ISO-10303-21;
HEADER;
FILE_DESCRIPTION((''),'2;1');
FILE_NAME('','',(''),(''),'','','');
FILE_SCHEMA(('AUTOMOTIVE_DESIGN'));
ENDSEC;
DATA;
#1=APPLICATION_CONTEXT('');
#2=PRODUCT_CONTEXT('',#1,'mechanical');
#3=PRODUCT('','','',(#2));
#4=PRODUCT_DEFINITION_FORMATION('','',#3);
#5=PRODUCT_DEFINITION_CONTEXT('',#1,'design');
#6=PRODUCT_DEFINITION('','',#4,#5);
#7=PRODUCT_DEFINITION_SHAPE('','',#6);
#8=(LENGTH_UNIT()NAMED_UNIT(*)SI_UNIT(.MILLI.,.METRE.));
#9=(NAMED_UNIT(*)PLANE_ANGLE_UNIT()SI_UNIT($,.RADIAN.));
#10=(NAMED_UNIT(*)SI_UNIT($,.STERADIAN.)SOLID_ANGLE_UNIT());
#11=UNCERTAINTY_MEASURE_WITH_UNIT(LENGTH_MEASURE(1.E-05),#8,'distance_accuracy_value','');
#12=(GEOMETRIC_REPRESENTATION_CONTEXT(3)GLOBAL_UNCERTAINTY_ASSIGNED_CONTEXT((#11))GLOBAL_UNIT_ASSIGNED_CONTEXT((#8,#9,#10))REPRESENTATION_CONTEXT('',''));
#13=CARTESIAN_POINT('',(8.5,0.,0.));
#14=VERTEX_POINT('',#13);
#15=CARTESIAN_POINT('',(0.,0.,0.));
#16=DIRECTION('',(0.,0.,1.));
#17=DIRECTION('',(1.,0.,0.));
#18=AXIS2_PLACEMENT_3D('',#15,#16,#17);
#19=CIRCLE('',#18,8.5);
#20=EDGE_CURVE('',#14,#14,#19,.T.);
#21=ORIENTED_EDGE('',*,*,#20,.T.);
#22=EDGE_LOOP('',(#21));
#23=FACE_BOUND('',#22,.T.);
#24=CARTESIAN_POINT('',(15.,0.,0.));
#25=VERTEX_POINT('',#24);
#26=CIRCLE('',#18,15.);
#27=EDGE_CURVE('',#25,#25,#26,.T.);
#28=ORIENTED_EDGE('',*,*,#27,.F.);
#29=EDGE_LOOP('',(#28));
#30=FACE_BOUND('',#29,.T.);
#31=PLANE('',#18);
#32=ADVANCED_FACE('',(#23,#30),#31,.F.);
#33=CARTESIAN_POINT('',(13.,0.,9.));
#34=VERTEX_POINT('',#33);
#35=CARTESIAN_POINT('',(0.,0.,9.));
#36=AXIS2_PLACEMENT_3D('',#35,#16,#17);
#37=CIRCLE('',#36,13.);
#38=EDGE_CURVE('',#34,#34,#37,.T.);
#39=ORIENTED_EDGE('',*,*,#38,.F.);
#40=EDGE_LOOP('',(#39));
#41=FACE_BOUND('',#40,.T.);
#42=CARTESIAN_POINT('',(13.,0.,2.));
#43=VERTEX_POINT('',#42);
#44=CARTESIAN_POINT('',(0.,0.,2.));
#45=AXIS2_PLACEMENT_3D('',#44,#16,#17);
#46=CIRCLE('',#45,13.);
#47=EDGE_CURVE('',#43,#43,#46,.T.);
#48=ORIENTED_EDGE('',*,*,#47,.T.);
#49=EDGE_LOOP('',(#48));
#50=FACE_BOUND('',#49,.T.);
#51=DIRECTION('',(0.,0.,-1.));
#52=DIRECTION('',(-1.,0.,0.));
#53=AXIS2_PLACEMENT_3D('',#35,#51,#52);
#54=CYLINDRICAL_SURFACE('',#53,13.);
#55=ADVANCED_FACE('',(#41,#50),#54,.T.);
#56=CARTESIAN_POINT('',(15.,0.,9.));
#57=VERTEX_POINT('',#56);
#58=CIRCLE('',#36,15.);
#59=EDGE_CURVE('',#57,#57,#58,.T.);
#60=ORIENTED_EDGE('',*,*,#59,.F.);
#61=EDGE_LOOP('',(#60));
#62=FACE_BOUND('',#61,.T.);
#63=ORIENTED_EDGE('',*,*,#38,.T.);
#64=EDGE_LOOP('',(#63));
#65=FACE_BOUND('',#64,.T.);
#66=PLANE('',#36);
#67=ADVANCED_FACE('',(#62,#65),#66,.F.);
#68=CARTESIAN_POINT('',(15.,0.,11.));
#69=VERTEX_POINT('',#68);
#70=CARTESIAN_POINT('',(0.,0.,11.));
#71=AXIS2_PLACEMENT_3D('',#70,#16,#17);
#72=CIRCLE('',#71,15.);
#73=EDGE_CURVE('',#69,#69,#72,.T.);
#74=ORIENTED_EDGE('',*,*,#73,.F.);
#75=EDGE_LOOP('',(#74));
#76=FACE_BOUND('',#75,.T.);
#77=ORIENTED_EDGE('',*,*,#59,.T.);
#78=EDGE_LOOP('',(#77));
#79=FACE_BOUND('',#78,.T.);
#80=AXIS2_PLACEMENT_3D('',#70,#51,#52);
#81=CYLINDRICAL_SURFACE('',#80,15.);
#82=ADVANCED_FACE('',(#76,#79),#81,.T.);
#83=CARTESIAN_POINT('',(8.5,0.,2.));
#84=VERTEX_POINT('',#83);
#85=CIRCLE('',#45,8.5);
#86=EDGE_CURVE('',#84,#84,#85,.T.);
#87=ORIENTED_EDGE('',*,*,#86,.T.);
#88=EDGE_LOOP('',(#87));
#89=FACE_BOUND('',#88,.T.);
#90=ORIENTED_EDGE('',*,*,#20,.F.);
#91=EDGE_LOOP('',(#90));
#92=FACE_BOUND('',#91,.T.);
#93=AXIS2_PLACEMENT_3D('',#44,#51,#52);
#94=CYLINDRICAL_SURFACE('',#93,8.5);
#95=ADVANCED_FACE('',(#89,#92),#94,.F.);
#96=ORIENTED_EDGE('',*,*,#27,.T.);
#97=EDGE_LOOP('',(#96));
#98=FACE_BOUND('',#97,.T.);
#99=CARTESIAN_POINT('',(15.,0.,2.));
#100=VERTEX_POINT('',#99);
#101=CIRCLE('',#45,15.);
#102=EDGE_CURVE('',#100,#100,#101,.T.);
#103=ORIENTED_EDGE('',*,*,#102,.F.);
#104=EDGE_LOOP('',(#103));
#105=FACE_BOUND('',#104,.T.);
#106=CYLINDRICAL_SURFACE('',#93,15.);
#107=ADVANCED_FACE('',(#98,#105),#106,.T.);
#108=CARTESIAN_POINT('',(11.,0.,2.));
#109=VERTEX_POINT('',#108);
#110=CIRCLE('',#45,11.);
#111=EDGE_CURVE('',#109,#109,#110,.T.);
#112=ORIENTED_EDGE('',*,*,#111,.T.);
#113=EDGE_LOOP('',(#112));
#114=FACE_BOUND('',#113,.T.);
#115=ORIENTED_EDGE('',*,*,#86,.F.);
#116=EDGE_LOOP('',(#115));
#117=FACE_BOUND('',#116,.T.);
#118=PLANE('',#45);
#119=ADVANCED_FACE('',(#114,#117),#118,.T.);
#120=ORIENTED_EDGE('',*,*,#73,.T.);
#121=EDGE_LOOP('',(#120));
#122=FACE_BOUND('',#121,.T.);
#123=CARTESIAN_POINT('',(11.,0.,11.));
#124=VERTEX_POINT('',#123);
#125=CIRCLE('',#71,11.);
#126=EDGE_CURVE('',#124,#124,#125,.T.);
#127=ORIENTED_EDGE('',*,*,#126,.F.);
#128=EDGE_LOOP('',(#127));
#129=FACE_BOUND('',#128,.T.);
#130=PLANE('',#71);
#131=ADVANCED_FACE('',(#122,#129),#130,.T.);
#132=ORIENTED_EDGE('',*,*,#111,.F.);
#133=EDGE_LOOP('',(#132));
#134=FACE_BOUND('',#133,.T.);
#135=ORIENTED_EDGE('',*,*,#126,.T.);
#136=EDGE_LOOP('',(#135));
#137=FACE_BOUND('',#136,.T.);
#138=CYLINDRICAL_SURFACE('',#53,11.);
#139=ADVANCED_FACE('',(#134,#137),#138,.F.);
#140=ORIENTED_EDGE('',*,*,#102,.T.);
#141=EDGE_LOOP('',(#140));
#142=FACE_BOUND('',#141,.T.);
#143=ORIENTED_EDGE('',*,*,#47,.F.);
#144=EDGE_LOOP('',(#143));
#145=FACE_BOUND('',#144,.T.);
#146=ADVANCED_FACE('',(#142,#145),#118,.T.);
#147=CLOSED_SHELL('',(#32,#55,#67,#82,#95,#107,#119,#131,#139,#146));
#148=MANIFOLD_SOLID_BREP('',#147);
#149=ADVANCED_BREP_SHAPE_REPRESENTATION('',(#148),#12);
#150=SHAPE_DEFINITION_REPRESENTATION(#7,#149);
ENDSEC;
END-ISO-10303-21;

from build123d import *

# Parameters (mm, degrees)
CROQUIS1_R              = 15
CROQUIS1_R_2            = 8.5
SALIENTE_EXTRUIR1_DEPTH = 2
CROQUIS2_R              = 13
CROQUIS2_R_2            = 11
SALIENTE_EXTRUIR2_DEPTH = 7
CROQUIS3_R              = 15
CROQUIS3_R_2            = 11
SALIENTE_EXTRUIR3_DEPTH = 2


with BuildPart() as part:
    # Croquis1 → Saliente-Extruir1 (new body)
    with BuildSketch(Plane.XY):
        Circle(CROQUIS1_R)
        Circle(CROQUIS1_R_2, mode=Mode.SUBTRACT)
    extrude(amount=SALIENTE_EXTRUIR1_DEPTH)

    # Croquis2 → Saliente-Extruir2 (add)
    with BuildSketch(Plane.XY.offset(2)):
        Circle(CROQUIS2_R)
        Circle(CROQUIS2_R_2, mode=Mode.SUBTRACT)
    extrude(amount=SALIENTE_EXTRUIR2_DEPTH)

    # Croquis3 → Saliente-Extruir3 (add)
    with BuildSketch(Plane.XY.offset(9)):
        Circle(CROQUIS3_R)
        Circle(CROQUIS3_R_2, mode=Mode.SUBTRACT)
    extrude(amount=SALIENTE_EXTRUIR3_DEPTH)


solid = part.part
